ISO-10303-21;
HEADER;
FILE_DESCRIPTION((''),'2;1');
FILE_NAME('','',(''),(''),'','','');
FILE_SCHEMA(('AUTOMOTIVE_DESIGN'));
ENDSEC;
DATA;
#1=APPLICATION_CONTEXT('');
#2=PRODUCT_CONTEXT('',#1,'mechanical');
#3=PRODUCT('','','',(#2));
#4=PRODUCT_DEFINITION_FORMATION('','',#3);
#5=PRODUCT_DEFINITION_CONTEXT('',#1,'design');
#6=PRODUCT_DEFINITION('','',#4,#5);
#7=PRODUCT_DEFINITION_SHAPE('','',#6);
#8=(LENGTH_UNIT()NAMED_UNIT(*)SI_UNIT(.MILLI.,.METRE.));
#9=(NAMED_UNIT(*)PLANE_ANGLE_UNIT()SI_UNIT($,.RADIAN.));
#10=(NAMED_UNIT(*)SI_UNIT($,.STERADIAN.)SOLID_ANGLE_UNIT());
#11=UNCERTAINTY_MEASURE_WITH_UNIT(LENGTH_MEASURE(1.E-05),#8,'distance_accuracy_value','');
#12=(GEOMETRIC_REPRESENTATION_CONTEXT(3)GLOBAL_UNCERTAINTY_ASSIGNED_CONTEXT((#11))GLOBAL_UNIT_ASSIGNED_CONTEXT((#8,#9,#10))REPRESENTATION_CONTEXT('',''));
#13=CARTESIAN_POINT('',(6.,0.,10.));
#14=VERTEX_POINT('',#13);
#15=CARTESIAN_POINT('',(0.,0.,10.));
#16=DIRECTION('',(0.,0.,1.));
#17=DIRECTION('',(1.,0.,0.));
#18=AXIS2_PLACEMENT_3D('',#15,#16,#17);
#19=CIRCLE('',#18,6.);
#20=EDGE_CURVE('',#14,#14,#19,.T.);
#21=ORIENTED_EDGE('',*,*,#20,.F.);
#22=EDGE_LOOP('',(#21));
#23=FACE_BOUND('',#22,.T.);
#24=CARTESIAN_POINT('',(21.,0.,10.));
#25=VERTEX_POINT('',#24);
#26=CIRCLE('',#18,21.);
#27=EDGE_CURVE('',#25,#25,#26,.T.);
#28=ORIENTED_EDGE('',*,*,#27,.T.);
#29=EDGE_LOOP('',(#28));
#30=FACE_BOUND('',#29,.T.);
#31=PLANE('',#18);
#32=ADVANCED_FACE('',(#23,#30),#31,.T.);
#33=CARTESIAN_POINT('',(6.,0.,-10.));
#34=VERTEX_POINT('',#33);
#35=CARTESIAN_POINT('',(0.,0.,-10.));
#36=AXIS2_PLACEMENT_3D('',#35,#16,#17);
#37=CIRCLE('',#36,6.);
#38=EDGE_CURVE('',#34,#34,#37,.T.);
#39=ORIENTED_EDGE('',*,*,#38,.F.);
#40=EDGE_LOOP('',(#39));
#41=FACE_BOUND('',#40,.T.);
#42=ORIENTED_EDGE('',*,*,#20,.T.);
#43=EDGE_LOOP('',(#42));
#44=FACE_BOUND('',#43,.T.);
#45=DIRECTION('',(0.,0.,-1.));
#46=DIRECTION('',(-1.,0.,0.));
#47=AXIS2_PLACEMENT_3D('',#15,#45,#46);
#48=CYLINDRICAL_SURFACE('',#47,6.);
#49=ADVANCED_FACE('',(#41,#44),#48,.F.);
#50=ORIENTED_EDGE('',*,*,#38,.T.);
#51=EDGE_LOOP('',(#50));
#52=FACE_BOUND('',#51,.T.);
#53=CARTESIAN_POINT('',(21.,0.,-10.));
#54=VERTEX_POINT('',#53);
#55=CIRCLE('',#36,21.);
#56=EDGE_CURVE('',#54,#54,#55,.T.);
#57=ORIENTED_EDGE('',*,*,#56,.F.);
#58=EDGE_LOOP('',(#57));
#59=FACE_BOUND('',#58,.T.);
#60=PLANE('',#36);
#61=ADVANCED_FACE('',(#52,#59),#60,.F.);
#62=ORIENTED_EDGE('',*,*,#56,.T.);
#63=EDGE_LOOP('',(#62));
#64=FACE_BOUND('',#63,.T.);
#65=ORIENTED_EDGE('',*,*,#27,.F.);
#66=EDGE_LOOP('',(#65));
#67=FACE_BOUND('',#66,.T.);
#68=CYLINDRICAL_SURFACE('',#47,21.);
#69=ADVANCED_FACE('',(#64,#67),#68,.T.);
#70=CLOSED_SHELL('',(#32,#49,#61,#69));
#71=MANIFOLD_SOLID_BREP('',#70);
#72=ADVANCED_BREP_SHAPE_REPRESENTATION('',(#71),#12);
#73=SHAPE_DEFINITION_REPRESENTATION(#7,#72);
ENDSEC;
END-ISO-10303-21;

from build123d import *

# Parameters (mm, degrees)
SKETCH1_R           = 21
SKETCH1_R_2         = 6
BOSS_EXTRUDE1_DEPTH = 10


with BuildPart() as part:
    # Sketch1 → Boss-Extrude1 (new, symmetric)
    with BuildSketch(Plane.XY):
        Circle(SKETCH1_R)
        Circle(SKETCH1_R_2, mode=Mode.SUBTRACT)
    extrude(amount=BOSS_EXTRUDE1_DEPTH, both=True)


solid = part.part
